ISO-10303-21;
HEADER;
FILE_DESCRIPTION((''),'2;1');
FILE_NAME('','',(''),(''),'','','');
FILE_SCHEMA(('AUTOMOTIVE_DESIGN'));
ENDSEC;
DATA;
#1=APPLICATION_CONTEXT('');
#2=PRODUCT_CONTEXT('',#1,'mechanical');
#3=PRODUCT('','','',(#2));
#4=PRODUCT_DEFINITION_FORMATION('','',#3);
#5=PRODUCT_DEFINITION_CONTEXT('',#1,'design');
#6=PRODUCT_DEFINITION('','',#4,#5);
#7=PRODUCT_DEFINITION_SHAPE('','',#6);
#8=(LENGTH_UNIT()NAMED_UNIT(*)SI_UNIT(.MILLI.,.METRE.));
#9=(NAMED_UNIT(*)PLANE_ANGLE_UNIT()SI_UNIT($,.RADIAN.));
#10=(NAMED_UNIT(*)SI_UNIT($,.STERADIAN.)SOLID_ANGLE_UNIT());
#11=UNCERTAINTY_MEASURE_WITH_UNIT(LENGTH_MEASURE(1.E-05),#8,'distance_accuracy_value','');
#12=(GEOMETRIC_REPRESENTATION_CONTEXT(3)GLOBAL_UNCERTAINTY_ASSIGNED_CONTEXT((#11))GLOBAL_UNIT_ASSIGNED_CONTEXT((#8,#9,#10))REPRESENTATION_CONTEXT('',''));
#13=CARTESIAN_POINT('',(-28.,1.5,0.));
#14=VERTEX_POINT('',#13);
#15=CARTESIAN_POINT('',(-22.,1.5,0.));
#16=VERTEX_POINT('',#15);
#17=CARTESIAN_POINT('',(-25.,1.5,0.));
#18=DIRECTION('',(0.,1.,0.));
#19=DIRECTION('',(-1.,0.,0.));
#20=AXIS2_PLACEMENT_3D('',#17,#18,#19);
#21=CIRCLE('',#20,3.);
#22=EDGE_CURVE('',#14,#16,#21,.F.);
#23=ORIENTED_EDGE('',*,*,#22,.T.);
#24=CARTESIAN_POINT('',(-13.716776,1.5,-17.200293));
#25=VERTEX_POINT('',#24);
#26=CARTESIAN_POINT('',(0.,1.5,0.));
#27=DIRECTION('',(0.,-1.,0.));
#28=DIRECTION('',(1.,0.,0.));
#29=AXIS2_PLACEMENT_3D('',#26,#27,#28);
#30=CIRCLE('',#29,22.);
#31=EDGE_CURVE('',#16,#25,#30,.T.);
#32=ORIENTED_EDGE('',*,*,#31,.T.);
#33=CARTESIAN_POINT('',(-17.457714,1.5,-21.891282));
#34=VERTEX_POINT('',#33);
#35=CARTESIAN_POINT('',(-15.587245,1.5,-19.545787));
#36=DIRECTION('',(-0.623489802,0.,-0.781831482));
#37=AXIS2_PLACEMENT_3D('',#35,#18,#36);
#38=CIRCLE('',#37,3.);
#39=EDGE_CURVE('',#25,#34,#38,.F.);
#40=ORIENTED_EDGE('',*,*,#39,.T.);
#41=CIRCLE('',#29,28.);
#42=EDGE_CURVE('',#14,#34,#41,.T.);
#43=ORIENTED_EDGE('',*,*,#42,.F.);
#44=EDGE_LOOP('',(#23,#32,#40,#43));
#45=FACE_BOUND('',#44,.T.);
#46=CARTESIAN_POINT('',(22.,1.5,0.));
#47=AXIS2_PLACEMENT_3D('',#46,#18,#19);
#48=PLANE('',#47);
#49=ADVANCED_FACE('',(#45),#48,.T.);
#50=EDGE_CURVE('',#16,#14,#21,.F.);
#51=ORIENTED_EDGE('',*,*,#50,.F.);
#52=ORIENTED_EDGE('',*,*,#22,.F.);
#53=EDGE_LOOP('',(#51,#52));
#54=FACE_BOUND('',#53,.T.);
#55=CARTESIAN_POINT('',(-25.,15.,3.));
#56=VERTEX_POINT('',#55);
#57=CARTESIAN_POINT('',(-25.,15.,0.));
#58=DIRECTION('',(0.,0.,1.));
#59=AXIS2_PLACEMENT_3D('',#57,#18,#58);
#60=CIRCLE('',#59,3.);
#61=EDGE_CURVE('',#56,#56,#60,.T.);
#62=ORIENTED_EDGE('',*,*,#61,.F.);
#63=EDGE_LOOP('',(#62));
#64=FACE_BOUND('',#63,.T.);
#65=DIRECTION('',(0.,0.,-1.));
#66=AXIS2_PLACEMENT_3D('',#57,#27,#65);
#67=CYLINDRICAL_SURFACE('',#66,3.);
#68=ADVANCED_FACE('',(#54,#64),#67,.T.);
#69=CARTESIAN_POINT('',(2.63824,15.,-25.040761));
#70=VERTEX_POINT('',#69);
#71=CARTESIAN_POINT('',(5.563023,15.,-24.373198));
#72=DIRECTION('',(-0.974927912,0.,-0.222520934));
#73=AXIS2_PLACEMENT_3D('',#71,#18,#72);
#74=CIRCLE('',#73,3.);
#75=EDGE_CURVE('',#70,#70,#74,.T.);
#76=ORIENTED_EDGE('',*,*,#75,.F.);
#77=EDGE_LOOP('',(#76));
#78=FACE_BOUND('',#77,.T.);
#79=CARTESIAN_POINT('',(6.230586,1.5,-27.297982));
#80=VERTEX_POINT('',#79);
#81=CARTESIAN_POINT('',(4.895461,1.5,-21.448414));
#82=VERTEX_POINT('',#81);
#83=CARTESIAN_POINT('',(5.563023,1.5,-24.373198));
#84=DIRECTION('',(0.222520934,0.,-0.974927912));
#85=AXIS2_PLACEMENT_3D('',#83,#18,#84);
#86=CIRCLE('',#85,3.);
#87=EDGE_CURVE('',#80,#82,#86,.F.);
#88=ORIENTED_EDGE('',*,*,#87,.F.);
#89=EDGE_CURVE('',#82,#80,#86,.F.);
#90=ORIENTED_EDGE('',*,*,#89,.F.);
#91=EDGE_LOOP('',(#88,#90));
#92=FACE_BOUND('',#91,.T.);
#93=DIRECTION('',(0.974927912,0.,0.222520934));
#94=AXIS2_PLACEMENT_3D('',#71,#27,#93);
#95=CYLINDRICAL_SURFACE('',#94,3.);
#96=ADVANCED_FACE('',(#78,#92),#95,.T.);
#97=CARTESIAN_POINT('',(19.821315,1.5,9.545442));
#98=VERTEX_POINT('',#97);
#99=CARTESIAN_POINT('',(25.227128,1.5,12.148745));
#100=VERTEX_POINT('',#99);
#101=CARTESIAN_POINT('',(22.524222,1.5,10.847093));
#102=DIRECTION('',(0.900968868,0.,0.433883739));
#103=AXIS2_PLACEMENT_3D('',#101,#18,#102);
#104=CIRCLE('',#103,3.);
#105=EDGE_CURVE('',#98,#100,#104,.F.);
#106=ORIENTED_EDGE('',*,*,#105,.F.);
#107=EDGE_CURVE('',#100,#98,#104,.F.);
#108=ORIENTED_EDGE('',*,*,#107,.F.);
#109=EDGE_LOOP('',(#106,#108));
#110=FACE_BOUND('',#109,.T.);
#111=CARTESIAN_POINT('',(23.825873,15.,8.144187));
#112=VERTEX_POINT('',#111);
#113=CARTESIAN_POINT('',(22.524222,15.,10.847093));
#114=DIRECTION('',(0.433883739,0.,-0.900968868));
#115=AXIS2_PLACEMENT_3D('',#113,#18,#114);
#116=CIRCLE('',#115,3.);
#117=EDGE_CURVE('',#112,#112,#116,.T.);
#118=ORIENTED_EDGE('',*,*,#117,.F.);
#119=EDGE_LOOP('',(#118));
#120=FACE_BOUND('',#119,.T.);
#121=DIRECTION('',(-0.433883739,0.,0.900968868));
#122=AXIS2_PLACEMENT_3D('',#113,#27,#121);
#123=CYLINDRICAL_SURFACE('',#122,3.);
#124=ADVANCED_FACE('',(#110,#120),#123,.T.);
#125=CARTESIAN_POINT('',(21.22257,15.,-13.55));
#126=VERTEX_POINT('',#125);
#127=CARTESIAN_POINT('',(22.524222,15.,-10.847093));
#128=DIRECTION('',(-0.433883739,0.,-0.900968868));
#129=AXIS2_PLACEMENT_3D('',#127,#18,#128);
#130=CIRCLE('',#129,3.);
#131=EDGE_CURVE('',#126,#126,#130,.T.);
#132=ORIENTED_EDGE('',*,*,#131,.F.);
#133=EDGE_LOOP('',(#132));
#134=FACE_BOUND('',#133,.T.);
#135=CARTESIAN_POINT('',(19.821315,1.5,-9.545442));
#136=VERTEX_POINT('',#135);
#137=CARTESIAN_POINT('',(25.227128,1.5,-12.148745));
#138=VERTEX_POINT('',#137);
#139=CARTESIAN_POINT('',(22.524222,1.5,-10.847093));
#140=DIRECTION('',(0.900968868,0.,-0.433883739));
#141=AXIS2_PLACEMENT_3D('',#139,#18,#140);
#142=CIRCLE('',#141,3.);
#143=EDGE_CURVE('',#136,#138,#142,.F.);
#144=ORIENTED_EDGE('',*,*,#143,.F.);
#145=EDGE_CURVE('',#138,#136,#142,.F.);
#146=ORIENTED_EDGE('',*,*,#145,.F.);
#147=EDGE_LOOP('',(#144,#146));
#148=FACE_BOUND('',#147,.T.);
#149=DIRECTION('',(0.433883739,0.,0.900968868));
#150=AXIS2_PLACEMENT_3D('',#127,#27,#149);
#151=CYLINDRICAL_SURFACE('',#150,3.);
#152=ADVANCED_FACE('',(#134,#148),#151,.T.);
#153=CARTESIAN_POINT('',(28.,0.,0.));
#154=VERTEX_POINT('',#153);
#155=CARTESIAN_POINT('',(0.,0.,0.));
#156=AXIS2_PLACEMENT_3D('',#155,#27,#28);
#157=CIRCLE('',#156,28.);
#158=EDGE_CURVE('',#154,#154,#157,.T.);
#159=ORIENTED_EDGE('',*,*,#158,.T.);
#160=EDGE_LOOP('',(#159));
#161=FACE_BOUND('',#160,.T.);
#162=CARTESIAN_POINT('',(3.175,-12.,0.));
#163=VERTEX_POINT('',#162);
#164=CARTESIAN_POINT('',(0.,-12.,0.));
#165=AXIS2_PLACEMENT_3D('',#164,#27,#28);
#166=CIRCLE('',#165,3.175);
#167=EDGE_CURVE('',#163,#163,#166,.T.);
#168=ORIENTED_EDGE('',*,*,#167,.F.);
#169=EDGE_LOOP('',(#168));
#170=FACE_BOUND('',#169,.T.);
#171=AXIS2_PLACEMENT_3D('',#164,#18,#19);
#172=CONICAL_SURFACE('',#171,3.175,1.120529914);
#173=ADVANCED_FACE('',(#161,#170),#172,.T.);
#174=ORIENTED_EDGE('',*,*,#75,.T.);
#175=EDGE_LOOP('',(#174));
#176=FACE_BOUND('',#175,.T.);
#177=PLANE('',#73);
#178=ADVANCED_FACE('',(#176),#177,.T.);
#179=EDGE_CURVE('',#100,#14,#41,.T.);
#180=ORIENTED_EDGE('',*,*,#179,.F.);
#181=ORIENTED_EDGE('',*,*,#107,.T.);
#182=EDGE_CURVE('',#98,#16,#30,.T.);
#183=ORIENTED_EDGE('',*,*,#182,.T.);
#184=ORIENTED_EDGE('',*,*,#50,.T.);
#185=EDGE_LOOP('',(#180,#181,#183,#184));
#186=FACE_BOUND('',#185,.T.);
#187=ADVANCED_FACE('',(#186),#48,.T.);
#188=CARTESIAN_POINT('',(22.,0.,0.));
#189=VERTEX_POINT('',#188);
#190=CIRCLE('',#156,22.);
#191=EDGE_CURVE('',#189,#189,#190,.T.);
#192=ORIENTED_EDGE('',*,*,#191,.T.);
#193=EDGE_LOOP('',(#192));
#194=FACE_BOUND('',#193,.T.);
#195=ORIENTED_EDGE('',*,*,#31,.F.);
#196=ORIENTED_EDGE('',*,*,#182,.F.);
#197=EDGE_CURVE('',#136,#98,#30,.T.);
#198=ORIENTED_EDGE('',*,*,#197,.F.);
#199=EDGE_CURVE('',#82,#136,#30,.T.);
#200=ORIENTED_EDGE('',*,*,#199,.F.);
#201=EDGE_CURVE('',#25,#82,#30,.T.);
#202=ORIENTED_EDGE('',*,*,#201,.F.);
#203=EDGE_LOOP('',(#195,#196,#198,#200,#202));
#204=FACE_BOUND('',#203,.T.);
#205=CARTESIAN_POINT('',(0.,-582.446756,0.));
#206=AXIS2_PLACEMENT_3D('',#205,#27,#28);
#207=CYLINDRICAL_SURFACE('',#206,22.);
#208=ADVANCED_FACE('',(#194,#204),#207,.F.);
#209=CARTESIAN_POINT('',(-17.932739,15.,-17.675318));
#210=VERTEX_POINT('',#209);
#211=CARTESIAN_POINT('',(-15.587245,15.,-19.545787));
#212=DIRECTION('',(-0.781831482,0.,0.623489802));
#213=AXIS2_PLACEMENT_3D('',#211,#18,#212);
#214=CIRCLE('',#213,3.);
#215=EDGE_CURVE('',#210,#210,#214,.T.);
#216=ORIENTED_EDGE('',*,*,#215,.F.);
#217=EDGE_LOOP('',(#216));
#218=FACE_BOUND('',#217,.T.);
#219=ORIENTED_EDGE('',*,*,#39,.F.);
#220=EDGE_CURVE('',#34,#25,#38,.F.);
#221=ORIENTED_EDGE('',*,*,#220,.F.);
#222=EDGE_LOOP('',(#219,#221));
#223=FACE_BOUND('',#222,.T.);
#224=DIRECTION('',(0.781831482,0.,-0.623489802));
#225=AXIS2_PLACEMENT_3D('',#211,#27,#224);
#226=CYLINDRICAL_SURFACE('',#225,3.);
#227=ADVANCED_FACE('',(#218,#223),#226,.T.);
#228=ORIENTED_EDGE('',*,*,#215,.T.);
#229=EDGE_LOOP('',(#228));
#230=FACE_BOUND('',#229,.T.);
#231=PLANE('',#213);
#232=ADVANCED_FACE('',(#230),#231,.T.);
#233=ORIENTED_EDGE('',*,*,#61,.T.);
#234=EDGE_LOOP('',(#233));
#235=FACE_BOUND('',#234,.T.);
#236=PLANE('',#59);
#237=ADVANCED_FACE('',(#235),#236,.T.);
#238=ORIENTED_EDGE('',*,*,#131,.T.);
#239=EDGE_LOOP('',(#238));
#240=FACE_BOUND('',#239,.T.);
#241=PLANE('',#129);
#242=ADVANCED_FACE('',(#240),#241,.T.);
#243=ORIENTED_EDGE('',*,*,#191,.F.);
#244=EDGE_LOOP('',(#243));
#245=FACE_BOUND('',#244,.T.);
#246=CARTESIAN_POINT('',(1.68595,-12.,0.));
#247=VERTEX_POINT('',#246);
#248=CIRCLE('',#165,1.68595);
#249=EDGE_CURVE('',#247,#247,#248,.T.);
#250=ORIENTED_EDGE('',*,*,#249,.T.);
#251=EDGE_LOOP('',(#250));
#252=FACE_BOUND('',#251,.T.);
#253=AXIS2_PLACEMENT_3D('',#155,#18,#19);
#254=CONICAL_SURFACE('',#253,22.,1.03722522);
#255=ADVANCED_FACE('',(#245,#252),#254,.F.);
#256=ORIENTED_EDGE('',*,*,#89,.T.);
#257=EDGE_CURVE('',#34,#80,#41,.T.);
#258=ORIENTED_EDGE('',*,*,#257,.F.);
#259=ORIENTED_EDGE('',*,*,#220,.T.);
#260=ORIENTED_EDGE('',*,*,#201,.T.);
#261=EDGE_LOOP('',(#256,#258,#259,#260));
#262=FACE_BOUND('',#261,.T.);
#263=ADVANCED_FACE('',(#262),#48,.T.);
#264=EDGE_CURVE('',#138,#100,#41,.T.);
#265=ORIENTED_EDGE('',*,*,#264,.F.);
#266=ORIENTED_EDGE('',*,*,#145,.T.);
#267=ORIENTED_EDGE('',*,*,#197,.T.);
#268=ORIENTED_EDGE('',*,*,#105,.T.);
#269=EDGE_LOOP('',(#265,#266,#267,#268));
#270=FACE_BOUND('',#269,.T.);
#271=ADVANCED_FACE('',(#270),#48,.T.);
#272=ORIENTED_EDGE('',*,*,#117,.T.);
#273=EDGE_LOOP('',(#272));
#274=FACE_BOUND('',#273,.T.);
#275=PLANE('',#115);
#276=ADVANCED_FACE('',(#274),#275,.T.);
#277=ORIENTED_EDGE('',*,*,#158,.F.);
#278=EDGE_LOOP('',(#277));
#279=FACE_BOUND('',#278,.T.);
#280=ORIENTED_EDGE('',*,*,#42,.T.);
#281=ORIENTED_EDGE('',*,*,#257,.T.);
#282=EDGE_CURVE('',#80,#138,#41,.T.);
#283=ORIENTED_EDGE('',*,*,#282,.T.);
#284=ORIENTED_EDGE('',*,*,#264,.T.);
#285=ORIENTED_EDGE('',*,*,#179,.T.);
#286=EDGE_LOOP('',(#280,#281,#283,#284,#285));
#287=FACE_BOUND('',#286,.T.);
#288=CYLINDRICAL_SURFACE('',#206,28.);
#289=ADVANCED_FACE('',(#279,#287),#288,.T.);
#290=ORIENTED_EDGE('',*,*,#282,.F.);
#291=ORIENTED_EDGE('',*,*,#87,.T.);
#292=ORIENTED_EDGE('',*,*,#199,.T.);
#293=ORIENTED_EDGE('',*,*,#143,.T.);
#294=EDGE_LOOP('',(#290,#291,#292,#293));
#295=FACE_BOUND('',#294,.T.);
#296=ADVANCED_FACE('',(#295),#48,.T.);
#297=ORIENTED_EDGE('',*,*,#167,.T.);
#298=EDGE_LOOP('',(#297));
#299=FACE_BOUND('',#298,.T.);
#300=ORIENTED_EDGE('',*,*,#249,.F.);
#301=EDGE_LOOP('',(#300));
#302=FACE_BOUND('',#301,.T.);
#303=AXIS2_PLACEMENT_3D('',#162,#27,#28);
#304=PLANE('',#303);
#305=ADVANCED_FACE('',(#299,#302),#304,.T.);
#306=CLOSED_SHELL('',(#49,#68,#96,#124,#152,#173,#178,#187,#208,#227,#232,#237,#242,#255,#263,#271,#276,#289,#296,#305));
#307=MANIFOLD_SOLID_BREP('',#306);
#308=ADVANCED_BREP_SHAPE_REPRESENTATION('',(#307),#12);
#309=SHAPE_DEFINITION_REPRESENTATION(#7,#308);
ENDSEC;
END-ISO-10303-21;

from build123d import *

# Parameters (mm, degrees)
SKETCH3_R           = 3
BOSS_EXTRUDE1_DEPTH = 15
CIRPATTERN1_COUNT   = 5
CIRPATTERN1_ANGLE   = 205.714285714


with BuildPart() as part:
    # Sketch1 → Revolve1 (revolve)
    with BuildSketch(Plane.XY):
        Polygon((28, 0), (3.175, -12), (1.68595, -12), (22, 0), (22, 1.5), (28, 1.5), align=None)
    revolve(axis=Axis((0, -582.446756226, 0), (0, 1, 0)))

    # Sketch3 → Boss-Extrude1 (add)
    with BuildSketch(Plane(origin=(0, 0, 0), x_dir=(1, 0, 0), z_dir=(0, 1, 0))):
        with Locations((-25, 0)):
            Circle(SKETCH3_R)
    boss_extrude1 = extrude(amount=BOSS_EXTRUDE1_DEPTH)

    # CirPattern1: Boss-Extrude1 ×5 about axis
    cirpattern1_axis = Axis((0, 0, 0), (0, -1, 0))
    for i in range(1, CIRPATTERN1_COUNT):
        add(boss_extrude1.rotate(cirpattern1_axis, i * CIRPATTERN1_ANGLE / (CIRPATTERN1_COUNT - 1)))


solid = part.part
